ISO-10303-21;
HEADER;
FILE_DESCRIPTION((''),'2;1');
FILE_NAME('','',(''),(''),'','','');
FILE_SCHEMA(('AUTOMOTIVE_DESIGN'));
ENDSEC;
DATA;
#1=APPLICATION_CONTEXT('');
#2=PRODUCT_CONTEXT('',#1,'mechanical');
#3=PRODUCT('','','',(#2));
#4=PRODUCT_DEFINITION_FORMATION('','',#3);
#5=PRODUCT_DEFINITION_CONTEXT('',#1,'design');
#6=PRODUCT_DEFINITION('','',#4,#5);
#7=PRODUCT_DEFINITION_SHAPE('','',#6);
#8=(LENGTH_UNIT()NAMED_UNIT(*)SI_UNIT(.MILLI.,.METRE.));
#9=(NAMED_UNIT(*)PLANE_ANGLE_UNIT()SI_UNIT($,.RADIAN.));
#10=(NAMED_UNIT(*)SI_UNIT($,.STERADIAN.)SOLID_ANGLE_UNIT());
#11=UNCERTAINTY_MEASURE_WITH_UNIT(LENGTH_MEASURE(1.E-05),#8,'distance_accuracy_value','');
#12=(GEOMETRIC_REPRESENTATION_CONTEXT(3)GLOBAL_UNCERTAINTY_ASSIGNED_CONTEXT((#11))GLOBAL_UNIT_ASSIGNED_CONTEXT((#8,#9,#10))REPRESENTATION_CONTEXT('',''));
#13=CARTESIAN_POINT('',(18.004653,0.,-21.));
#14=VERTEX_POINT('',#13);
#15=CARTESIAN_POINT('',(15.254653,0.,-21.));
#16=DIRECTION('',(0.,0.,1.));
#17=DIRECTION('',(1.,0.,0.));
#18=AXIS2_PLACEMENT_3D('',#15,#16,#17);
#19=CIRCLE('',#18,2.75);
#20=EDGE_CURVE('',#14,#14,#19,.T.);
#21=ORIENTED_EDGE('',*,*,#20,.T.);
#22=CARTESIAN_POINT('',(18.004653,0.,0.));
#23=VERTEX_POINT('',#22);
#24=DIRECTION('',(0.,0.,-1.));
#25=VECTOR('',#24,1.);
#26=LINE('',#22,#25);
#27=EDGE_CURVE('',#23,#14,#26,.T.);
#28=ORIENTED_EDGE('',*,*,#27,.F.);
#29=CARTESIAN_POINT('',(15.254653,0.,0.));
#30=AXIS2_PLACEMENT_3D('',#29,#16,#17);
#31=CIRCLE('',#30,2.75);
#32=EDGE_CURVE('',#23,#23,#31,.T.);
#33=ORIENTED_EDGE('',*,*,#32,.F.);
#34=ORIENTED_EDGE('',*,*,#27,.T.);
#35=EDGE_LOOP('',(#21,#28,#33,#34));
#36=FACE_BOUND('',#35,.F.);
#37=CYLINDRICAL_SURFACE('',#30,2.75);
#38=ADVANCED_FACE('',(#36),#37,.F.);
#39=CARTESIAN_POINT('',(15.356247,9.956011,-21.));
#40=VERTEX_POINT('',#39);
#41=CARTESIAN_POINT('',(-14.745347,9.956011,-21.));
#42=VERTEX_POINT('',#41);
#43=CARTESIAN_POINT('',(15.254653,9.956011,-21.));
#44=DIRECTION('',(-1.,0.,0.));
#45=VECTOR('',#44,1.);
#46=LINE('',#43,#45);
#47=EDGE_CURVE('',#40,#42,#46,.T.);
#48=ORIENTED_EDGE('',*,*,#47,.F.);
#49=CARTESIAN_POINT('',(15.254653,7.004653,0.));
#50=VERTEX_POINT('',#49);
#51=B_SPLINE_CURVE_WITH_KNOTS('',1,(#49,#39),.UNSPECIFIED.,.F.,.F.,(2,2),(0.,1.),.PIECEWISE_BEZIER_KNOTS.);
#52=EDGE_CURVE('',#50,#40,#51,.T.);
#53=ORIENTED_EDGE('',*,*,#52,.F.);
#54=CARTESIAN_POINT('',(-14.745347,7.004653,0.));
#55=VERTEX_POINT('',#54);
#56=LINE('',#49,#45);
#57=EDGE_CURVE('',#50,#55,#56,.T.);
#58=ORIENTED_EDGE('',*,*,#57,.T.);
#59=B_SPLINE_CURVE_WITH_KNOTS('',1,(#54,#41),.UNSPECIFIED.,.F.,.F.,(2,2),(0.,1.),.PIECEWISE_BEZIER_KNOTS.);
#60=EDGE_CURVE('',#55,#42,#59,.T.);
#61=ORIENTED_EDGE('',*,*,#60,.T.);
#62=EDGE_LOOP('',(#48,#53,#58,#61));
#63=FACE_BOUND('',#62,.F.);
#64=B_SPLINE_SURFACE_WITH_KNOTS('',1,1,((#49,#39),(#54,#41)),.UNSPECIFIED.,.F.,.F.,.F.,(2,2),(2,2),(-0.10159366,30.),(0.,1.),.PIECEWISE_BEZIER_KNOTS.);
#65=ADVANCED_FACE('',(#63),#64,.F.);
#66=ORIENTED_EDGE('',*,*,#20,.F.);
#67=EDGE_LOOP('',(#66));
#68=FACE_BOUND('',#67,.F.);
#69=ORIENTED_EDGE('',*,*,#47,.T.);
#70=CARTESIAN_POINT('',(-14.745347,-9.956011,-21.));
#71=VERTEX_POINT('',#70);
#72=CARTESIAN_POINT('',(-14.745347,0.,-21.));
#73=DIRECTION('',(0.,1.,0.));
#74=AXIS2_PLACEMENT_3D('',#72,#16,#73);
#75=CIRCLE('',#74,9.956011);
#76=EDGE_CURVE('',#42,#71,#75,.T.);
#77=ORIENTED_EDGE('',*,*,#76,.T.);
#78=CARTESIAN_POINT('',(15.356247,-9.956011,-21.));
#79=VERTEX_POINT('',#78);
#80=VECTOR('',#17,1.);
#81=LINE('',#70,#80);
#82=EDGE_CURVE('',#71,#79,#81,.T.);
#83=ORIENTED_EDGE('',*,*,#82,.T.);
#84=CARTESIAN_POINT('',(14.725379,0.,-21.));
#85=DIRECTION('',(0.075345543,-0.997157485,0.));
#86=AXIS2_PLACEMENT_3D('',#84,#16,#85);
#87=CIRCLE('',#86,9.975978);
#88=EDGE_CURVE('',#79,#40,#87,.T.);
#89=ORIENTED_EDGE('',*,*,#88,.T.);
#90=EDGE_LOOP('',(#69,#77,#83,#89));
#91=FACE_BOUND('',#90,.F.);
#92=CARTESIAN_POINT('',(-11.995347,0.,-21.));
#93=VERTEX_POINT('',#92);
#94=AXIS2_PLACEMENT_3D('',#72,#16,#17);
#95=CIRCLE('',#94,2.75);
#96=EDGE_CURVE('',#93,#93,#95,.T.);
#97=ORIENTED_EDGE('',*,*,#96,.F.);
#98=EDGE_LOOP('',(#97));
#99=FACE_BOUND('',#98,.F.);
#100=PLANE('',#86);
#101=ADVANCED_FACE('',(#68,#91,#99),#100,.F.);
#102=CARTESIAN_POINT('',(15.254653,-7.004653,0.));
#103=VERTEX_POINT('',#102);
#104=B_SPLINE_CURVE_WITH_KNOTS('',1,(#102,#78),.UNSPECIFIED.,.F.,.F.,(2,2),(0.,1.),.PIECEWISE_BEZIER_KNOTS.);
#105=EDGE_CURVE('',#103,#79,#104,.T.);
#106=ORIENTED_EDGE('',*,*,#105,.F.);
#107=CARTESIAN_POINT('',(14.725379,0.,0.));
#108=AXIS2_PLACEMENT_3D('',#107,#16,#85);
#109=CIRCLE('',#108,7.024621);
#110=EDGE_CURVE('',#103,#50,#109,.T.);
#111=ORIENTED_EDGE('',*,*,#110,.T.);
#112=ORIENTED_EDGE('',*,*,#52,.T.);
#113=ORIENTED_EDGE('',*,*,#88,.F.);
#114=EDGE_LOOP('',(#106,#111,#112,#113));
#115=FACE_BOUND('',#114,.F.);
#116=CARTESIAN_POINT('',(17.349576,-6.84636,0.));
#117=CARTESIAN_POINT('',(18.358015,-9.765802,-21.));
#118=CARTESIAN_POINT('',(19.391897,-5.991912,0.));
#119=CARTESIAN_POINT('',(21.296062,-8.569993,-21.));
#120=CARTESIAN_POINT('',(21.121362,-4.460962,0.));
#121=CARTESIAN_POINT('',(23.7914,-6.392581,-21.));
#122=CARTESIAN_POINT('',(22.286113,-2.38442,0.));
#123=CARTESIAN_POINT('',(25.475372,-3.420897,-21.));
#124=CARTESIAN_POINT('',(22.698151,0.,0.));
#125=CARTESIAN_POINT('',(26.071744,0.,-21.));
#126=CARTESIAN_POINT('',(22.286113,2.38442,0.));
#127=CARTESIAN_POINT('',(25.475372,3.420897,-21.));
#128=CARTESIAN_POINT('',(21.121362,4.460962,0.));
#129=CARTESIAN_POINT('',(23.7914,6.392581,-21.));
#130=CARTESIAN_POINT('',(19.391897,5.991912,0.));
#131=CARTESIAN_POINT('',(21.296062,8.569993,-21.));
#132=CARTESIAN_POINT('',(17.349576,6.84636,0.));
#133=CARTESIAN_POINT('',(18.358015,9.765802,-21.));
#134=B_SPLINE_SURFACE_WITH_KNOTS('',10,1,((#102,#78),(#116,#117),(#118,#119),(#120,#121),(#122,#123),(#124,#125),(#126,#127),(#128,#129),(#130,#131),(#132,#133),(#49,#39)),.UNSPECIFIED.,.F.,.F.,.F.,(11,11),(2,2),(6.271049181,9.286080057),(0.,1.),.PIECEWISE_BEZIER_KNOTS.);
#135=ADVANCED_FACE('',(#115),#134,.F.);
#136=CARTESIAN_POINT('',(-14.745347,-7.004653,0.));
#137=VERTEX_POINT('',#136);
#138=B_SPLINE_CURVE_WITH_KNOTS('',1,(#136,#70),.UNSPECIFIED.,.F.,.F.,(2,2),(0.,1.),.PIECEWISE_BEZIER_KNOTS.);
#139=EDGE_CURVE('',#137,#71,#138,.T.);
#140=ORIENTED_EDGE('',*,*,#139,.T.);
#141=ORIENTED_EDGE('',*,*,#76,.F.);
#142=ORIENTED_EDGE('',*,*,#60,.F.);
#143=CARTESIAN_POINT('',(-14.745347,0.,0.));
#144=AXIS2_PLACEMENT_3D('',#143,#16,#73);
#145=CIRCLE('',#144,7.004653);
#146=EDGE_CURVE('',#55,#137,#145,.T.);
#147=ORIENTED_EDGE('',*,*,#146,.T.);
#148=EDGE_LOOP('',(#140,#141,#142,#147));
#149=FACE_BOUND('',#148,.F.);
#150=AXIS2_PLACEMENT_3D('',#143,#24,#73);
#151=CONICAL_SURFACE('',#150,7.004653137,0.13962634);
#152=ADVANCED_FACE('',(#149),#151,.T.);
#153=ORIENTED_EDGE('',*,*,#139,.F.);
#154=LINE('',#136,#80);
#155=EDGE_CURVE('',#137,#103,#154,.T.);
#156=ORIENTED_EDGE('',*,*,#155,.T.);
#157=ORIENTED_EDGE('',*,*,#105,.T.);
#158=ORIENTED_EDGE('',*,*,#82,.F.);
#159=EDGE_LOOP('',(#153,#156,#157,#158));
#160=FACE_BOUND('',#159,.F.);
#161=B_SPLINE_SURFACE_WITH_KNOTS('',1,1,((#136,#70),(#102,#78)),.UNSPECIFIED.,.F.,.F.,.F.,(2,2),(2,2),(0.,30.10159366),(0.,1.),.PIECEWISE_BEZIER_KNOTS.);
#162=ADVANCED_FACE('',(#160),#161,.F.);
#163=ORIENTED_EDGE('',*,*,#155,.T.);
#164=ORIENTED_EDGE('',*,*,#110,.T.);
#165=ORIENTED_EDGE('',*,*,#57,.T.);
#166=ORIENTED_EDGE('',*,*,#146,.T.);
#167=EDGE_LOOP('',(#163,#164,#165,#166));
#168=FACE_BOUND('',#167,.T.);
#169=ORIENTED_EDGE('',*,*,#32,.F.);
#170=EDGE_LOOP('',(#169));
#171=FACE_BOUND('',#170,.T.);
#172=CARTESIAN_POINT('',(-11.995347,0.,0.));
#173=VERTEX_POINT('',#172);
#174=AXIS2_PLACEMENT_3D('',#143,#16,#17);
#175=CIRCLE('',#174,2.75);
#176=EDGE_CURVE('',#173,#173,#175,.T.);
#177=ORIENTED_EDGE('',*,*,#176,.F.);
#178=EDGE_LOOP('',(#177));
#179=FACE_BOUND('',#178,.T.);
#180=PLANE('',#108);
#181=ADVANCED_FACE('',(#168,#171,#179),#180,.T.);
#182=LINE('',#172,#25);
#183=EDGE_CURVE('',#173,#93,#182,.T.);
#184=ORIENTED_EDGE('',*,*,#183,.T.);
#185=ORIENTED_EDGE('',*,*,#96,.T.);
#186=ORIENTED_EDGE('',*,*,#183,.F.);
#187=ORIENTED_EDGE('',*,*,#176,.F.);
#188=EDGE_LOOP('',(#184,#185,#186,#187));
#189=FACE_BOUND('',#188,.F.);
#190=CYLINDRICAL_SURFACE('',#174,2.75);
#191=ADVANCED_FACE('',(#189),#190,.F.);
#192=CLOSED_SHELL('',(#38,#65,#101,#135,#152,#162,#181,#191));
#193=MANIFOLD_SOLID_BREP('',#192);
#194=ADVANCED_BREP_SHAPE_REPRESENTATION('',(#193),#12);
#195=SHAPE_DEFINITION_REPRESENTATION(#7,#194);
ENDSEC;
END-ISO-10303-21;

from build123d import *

# Parameters (mm, degrees)
F0_R     = 2.75
F1_DEPTH = 21
F1_TAPER = -8
F2_DEPTH = 21.0010001


with BuildPart() as f1:
    # F0 (on Top) → F1 (new body)
    with BuildSketch(Plane.XY):
        with BuildLine():
            ThreePointArc((15.2546531369, -7.0046531369), (21.75, 0), (15.2546531369, 7.0046531369))
            Line((15.2546531369, 7.0046531369), (-14.7453468631, 7.0046531369))
            ThreePointArc((-14.7453468631, 7.0046531369), (-21.75, 0), (-14.7453468631, -7.0046531369))
            Line((-14.7453468631, -7.0046531369), (15.2546531369, -7.0046531369))
        make_face()
        with Locations((-14.7453468631, 0)):
            Circle(F0_R, mode=Mode.SUBTRACT)
        with Locations((15.2546531369, 0)):
            Circle(F0_R, mode=Mode.SUBTRACT)
        with Locations((15.2546531369, 0)):
            Circle(F0_R)
        with Locations((-14.7453468631, 0)):
            Circle(F0_R)
    extrude(amount=-F1_DEPTH, taper=F1_TAPER)

    # F0 (on Top) → F2 (cut, through all)
    with BuildSketch(Plane.XY):
        with Locations((15.2546531369, 0)):
            Circle(F0_R)
        with Locations((-14.7453468631, 0)):
            Circle(F0_R)
    extrude(amount=-F2_DEPTH, mode=Mode.SUBTRACT)


solid = f1.part
